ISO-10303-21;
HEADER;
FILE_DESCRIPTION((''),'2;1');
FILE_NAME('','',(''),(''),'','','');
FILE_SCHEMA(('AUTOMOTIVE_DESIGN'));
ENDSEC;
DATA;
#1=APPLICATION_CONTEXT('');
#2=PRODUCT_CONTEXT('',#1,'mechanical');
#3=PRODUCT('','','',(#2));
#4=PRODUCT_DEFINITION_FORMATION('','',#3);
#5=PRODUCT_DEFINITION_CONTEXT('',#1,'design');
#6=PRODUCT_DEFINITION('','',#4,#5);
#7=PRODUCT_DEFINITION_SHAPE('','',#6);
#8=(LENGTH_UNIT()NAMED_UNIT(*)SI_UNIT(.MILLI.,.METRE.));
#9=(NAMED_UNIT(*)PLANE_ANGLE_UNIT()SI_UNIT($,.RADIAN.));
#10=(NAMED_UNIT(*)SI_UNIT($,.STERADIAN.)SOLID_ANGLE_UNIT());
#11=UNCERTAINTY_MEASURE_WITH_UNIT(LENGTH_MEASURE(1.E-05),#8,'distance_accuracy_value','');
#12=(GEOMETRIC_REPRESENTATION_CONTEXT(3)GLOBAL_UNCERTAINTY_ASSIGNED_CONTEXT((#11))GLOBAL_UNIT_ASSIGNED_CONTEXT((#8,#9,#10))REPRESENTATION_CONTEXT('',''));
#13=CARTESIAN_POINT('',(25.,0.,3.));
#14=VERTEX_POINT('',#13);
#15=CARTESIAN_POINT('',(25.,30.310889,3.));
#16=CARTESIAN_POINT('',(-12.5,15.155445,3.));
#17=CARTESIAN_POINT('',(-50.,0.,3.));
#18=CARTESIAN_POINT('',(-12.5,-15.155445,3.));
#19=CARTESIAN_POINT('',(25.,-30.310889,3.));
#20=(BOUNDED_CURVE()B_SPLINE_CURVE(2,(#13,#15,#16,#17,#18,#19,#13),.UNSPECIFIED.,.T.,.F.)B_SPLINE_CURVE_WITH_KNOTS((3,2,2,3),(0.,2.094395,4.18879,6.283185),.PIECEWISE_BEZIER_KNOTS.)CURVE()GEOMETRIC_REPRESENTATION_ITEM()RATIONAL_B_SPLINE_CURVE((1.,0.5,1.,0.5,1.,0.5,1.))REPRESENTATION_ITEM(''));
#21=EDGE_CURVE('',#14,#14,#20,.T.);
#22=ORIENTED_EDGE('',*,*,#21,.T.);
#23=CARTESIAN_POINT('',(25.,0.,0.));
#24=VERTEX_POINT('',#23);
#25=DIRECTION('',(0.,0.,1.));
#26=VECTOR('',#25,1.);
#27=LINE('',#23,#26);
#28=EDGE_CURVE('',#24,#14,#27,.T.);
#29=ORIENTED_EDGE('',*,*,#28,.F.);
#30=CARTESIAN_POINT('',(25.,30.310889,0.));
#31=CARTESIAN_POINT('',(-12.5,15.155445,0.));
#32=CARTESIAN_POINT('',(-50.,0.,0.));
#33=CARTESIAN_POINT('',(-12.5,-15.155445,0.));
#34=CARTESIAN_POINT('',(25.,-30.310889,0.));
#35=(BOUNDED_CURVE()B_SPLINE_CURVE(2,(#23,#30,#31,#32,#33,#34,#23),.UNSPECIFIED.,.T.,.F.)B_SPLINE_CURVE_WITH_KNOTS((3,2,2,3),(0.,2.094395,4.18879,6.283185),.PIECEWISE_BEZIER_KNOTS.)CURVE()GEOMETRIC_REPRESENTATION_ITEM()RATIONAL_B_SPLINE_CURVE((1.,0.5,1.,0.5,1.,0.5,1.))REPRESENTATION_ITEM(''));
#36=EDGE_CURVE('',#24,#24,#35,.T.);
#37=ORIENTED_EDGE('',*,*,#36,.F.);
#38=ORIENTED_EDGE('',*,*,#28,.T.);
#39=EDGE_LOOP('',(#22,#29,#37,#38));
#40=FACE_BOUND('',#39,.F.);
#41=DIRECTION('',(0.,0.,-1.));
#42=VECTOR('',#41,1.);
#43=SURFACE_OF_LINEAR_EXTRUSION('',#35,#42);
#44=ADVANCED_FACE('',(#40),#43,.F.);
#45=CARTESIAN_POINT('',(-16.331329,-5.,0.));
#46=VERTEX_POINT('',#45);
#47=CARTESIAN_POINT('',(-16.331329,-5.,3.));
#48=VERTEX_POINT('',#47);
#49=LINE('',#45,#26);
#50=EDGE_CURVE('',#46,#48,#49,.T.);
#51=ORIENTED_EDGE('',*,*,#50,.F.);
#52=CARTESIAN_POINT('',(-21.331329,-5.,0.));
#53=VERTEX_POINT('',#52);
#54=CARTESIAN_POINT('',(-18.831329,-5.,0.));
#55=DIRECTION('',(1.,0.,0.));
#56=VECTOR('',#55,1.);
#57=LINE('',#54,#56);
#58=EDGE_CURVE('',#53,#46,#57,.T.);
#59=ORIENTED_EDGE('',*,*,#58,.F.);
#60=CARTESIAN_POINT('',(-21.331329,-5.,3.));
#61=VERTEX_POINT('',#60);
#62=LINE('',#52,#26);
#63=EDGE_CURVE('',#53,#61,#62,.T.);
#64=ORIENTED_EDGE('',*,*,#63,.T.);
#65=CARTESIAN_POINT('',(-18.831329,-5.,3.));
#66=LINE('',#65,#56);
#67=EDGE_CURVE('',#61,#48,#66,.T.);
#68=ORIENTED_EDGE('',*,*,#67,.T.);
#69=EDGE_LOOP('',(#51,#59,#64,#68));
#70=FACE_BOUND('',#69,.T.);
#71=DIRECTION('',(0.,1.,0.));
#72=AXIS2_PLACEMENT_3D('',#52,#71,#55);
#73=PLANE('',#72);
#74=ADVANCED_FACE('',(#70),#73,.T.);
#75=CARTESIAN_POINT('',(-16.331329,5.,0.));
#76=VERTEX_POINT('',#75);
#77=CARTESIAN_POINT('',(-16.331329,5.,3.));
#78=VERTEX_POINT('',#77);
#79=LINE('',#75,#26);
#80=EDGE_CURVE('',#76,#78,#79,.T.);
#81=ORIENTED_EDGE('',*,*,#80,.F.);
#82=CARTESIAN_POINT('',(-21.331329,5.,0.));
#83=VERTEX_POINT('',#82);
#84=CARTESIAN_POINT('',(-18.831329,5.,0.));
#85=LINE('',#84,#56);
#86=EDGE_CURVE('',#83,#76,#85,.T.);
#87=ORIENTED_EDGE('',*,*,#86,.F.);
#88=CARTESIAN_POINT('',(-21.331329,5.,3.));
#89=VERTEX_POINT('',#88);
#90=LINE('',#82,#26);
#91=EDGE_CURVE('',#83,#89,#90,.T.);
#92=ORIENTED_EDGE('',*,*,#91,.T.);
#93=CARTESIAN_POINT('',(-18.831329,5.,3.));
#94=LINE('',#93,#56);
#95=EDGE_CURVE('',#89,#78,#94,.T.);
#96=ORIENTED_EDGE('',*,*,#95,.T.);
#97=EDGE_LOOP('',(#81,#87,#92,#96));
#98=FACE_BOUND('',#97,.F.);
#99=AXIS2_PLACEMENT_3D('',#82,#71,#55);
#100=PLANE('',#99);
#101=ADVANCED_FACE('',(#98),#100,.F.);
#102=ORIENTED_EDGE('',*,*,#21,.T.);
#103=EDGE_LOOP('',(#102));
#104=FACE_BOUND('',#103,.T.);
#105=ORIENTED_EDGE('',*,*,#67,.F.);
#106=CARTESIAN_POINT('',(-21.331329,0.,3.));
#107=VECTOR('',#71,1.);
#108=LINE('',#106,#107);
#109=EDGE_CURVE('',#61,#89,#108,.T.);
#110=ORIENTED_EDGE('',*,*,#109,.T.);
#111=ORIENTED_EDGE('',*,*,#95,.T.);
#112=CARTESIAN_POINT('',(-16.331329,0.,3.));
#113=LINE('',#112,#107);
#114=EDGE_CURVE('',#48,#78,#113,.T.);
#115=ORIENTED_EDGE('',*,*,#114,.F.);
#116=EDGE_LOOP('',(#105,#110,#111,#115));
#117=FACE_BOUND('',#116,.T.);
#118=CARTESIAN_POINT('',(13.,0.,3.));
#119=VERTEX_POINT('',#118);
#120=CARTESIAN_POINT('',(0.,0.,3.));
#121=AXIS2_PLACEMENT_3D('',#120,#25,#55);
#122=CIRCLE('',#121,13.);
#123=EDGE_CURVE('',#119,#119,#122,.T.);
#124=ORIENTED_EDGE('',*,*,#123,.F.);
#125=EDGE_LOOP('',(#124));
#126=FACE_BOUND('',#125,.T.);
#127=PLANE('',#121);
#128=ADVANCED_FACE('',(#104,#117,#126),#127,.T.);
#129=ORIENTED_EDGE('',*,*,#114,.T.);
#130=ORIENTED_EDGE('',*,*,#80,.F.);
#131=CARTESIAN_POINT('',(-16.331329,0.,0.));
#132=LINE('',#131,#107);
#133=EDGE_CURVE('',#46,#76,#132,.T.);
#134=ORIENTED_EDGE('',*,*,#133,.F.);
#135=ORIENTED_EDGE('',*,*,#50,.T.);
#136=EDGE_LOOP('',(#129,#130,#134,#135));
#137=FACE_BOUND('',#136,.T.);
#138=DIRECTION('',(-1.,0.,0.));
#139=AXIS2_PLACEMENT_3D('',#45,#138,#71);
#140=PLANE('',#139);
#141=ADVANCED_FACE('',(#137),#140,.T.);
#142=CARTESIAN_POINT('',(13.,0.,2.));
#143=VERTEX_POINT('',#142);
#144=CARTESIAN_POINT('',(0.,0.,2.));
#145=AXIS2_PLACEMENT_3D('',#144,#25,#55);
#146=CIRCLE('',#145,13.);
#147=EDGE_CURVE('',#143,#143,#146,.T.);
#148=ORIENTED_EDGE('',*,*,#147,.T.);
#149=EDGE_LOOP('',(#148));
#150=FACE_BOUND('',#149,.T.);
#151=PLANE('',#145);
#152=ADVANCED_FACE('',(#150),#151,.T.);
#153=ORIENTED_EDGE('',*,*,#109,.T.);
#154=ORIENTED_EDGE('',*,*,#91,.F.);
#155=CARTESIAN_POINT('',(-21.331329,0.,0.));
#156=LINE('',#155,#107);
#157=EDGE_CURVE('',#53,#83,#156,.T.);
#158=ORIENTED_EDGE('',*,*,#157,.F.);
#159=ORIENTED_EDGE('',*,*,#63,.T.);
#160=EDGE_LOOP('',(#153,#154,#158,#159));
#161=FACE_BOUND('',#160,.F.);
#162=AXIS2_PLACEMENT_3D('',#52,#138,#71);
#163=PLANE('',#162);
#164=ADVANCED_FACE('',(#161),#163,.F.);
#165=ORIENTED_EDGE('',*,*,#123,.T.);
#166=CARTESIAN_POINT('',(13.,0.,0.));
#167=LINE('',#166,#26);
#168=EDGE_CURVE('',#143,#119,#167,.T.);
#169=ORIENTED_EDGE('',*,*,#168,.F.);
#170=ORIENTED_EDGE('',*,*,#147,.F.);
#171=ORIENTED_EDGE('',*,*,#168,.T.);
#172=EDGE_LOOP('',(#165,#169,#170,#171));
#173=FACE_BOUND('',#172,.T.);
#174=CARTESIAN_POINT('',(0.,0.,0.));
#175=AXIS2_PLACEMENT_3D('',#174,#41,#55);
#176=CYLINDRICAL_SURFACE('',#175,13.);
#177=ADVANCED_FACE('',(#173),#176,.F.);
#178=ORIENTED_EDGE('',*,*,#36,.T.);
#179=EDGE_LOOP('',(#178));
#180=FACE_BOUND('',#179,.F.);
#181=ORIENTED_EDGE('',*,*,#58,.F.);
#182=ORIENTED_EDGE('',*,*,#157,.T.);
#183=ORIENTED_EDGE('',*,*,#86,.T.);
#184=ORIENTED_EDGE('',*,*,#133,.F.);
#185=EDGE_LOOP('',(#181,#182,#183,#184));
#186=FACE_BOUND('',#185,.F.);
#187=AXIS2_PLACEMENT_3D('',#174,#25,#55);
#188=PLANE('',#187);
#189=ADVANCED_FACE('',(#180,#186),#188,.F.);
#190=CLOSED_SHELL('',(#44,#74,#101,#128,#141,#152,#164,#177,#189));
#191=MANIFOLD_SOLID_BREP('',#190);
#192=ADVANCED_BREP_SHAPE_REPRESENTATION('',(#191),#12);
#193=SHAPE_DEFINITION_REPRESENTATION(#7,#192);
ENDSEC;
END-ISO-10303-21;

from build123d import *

# Parameters (mm, degrees)
F0_R     = 13
F1_DEPTH = 2
F0_W     = 5
F0_H     = 10
F2_DEPTH = 3


with BuildPart() as f1:
    # F0 (on Top) → F1 (new body)
    with BuildSketch(Plane.XY):
        Circle(F0_R)
    extrude(amount=F1_DEPTH)

    # F0 (on Top) → F2 (join)
    with BuildSketch(Plane.XY):
        with BuildLine():
            add(Edge.make_bspline(
                [(25, 0), (25, 30.310889), (-12.5, 15.155445), (-50, 0), (-12.5, -15.155445), (25, -30.310889), (25, 0)],
                knots=[0, 0, 0, 2.094395, 2.094395, 4.18879, 4.18879, 6.283185, 6.283185, 6.283185], degree=2, weights=[1, 0.5, 1, 0.5, 1, 0.5, 1]))
        make_face()
        with Locations((-18.831329, 0)):
            Rectangle(F0_W, F0_H, mode=Mode.SUBTRACT)
        Circle(F0_R, mode=Mode.SUBTRACT)
    extrude(amount=F2_DEPTH)


solid = f1.part
